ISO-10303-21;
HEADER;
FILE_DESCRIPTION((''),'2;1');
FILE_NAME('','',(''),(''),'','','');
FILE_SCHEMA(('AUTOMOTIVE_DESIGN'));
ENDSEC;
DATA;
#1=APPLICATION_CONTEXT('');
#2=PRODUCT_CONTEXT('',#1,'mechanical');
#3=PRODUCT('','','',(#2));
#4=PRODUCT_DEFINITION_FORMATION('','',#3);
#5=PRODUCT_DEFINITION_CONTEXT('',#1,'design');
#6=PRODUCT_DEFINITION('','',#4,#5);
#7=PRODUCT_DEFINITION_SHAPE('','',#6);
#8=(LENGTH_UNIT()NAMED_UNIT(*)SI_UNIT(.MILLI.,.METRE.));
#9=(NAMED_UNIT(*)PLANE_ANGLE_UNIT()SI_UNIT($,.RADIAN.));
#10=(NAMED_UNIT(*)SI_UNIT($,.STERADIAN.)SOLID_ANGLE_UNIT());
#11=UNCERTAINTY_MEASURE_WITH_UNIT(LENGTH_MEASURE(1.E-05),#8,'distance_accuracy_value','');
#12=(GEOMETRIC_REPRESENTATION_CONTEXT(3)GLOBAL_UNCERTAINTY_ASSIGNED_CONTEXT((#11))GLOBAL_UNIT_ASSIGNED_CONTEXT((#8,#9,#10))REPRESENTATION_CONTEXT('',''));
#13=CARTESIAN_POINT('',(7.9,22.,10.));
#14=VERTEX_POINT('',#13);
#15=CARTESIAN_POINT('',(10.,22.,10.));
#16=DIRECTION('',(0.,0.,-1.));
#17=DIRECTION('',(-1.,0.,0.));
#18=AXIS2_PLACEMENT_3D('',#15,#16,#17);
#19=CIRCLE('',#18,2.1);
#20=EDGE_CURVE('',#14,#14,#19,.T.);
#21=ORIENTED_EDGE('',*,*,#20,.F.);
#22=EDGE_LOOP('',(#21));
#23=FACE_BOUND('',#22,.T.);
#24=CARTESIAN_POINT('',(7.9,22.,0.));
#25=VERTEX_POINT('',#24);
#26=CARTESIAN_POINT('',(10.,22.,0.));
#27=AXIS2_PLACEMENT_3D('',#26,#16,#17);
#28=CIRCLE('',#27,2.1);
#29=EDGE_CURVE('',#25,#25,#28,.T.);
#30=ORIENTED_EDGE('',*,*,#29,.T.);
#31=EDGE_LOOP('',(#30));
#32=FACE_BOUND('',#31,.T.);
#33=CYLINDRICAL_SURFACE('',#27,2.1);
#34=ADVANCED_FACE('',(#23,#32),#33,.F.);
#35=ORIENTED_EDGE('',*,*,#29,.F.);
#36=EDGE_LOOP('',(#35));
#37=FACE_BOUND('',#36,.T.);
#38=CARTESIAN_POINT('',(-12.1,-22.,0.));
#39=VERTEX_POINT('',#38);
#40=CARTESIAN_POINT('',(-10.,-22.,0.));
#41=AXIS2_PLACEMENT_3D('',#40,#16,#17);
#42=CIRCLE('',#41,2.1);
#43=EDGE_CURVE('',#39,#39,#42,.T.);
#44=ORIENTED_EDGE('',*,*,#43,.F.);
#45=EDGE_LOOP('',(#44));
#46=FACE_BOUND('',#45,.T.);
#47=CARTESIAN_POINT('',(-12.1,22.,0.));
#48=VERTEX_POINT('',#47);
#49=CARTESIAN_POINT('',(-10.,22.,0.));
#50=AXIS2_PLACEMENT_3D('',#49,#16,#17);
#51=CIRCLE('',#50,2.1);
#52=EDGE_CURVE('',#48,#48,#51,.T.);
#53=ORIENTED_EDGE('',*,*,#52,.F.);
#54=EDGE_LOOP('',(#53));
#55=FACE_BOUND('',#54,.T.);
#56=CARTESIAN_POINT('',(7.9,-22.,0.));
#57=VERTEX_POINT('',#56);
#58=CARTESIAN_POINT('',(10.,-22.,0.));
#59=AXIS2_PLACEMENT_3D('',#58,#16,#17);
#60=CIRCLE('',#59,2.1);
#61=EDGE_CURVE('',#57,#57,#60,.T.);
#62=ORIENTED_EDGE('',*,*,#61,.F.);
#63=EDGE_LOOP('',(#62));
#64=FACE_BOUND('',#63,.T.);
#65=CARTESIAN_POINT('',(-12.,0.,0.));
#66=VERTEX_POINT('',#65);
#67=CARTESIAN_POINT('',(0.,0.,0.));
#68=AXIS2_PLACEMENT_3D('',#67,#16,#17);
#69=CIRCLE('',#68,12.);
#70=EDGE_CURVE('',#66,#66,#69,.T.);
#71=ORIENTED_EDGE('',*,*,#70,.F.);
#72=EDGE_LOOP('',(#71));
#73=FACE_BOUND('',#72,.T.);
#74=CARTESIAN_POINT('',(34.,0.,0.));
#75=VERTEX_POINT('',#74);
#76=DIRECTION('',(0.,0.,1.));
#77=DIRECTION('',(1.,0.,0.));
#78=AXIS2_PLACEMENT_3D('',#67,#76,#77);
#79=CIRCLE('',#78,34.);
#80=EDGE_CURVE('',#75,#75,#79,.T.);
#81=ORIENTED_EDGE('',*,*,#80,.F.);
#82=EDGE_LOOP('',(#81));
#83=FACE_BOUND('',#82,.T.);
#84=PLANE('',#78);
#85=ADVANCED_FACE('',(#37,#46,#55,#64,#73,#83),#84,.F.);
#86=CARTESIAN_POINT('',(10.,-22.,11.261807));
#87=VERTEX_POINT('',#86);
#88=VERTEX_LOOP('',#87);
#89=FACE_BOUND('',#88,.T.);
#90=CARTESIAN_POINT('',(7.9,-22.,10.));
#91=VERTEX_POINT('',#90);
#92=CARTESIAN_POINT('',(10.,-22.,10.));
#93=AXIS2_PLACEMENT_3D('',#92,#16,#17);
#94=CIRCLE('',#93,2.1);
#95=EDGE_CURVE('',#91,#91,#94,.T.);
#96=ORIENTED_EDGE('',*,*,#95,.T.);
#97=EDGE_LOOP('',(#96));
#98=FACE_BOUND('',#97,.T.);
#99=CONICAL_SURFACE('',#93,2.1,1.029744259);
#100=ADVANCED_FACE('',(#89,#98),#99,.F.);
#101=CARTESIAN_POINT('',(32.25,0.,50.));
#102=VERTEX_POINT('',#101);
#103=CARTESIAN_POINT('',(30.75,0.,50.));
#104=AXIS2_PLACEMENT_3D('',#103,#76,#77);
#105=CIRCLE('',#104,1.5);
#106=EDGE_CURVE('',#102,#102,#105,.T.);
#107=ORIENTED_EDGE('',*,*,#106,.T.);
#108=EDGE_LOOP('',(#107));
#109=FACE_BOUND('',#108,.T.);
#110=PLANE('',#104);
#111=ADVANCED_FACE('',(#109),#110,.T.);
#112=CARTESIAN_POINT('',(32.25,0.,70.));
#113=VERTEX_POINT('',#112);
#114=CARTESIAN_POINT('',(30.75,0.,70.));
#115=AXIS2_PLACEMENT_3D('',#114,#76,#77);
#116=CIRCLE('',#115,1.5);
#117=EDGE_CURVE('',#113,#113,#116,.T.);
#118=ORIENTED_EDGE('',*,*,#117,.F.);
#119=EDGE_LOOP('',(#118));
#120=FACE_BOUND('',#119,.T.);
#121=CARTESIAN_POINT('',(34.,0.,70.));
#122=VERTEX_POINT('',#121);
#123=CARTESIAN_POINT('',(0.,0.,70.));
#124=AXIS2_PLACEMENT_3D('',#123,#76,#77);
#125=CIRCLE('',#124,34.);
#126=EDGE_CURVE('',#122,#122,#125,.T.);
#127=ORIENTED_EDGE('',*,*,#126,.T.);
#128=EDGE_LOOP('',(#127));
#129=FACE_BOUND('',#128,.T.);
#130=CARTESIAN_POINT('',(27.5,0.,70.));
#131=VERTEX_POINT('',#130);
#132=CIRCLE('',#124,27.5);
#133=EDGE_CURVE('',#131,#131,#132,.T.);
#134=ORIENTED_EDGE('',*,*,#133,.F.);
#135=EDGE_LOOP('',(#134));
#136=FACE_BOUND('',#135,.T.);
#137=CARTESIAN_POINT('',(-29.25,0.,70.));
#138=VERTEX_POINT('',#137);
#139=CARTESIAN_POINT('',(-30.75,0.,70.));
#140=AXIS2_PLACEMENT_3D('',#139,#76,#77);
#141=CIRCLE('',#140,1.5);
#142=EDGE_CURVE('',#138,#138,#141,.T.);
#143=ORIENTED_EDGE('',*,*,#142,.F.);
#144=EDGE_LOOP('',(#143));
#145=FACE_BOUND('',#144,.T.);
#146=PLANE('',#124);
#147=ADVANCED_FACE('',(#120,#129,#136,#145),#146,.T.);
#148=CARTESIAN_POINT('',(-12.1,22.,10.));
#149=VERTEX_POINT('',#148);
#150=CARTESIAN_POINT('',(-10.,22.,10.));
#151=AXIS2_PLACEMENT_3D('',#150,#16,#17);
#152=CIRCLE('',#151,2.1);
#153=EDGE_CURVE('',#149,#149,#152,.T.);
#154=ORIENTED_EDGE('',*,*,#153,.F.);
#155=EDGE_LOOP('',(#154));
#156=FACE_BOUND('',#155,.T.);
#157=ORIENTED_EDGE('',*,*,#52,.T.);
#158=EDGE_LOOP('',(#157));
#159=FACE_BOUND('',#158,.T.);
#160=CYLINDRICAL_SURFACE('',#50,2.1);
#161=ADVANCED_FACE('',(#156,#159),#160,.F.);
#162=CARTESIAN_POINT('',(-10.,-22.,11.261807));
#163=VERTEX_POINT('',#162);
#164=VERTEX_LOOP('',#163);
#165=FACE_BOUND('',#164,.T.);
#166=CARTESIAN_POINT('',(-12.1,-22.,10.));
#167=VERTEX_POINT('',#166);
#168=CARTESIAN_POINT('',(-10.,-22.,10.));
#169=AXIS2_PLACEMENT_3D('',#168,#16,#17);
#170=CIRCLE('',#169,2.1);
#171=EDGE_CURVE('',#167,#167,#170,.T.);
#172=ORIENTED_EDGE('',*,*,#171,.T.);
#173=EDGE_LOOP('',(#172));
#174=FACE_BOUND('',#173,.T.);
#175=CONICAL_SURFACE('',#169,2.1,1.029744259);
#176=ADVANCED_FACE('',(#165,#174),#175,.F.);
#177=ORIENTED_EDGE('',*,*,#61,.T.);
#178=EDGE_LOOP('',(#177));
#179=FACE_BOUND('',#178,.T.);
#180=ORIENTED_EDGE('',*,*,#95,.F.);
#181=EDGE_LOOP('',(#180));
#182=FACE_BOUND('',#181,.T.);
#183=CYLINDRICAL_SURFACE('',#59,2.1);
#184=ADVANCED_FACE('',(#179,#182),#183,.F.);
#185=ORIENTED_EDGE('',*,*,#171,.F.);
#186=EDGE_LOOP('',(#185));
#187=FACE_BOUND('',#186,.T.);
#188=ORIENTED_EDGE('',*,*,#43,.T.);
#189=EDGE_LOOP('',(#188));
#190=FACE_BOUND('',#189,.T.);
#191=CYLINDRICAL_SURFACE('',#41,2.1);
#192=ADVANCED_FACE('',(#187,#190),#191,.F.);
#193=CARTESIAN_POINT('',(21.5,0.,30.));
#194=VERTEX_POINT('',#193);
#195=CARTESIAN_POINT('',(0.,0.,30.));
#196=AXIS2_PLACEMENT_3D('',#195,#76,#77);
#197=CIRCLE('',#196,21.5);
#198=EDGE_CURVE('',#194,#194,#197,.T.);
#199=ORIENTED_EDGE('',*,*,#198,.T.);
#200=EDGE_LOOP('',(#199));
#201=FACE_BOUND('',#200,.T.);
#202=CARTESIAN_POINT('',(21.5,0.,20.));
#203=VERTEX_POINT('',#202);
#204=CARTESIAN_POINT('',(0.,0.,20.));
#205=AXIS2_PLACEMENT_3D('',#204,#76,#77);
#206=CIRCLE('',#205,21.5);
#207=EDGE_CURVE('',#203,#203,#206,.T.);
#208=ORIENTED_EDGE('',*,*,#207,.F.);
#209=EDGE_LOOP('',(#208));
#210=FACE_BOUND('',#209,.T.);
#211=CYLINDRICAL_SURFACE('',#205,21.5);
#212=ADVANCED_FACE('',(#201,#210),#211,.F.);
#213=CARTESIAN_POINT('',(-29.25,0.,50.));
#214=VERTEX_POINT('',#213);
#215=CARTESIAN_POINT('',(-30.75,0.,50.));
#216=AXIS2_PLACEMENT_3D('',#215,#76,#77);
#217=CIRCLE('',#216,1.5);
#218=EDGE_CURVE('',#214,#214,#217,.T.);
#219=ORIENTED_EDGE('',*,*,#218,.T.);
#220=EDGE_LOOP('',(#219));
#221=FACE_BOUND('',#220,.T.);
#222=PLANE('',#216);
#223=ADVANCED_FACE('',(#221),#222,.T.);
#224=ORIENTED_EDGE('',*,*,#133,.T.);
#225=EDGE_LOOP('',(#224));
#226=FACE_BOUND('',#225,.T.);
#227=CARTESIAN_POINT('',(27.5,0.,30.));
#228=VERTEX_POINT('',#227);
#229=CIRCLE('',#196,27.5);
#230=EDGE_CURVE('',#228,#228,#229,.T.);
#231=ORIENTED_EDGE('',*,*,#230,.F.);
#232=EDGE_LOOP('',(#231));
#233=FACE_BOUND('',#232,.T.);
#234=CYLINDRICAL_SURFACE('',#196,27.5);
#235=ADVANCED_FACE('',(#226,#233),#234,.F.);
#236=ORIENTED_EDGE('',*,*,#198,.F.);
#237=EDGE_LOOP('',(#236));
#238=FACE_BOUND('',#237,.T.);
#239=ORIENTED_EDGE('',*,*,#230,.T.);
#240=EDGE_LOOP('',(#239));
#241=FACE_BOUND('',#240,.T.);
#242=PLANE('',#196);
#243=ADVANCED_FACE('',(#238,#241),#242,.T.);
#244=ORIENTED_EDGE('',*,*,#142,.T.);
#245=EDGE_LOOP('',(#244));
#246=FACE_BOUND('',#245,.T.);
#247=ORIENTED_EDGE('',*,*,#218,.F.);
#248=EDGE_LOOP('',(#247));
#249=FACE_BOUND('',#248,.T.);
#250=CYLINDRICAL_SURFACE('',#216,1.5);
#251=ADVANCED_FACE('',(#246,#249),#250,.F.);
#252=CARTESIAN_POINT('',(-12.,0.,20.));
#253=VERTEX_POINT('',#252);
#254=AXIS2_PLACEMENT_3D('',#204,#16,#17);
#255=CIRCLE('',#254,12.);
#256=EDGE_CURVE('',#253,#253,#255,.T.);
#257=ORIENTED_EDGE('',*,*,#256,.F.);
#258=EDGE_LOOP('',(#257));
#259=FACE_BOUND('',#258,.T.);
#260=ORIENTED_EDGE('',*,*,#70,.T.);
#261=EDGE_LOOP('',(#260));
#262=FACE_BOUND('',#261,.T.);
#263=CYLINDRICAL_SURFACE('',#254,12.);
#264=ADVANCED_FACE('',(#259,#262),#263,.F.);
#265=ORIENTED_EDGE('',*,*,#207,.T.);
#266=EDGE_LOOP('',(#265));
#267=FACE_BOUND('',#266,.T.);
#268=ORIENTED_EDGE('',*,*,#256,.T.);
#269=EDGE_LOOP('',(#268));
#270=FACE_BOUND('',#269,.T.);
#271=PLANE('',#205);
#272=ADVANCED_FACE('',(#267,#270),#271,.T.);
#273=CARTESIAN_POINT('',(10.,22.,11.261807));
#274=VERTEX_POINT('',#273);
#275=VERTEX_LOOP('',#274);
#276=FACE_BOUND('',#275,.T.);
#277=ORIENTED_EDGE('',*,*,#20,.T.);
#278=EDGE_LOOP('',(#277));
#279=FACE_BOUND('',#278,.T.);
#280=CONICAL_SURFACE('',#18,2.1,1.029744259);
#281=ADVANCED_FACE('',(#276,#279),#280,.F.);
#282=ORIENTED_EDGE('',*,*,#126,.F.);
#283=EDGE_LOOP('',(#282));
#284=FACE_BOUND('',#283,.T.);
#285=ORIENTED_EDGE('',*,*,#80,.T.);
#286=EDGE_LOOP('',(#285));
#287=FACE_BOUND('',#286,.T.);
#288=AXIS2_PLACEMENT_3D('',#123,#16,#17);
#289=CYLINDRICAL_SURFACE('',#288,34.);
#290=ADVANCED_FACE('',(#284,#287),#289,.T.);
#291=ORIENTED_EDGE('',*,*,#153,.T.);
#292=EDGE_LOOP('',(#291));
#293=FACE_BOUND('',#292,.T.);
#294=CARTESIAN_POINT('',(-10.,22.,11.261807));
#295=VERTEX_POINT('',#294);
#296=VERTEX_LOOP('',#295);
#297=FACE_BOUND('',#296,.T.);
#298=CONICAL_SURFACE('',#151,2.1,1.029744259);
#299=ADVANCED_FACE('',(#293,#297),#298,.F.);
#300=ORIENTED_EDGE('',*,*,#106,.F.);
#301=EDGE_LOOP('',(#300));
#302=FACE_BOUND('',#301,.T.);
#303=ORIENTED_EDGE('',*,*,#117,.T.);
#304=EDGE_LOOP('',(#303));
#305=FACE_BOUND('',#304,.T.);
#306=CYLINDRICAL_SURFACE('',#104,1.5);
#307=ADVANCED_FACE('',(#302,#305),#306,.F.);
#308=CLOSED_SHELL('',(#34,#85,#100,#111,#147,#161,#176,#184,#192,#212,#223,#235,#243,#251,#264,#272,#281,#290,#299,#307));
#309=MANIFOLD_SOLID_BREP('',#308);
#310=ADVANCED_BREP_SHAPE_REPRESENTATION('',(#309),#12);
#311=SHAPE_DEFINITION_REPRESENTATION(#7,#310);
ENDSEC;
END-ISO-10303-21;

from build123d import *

# Parameters (mm, degrees)
SKETCH5_R                 = 34
BOSS_EXTRUDE1_DEPTH       = 70
SKETCH6_R                 = 27.5
CUT_EXTRUDE1_DEPTH        = 40
SKETCH7_R                 = 21.5
CUT_EXTRUDE2_DEPTH        = 10
SKETCH8_R                 = 12
CUT_EXTRUDE3_DEPTH        = 20
SKETCH9_R                 = 1.5
CUT_EXTRUDE4_DEPTH        = 20
M5X0_8_TAPPED_HOLE1_D     = 4.2
M5X0_8_TAPPED_HOLE1_DEPTH = 10
M5X0_8_TAPPED_HOLE1_TIP   = 1.2618073


with BuildPart() as part:
    # Sketch5 → Boss-Extrude1 (new body)
    with BuildSketch(Plane.XY):
        Circle(SKETCH5_R)
    extrude(amount=BOSS_EXTRUDE1_DEPTH)

    # Sketch6 → Cut-Extrude1 (cut)
    with BuildSketch(Plane.XY.offset(70)):
        Circle(SKETCH6_R)
    extrude(amount=-CUT_EXTRUDE1_DEPTH, mode=Mode.SUBTRACT)

    # Sketch7 → Cut-Extrude2 (cut)
    with BuildSketch(Plane.XY.offset(30)):
        Circle(SKETCH7_R)
    extrude(amount=-CUT_EXTRUDE2_DEPTH, mode=Mode.SUBTRACT)

    # Sketch8 → Cut-Extrude3 (cut)
    with BuildSketch(Plane(origin=(0, 0, 0), x_dir=(-1, 0, 0), z_dir=(0, 0, -1))):
        Circle(SKETCH8_R)
    extrude(amount=-CUT_EXTRUDE3_DEPTH, mode=Mode.SUBTRACT)

    # Sketch9 → Cut-Extrude4 (cut)
    with BuildSketch(Plane.XY.offset(70)):
        with Locations((-30.75, 0)):
            Circle(SKETCH9_R)
        with Locations((30.75, 0)):
            Circle(SKETCH9_R)
    extrude(amount=-CUT_EXTRUDE4_DEPTH, mode=Mode.SUBTRACT)

    # M5x0.8 Tapped Hole1
    with Locations(Plane(origin=(0, 0, 0), x_dir=(-1, 0, 0), z_dir=(0, 0, -1))):
        with Locations((-10, 22), (10, 22), (10, -22), (-10, -22)):
            Hole(M5X0_8_TAPPED_HOLE1_D / 2, depth=M5X0_8_TAPPED_HOLE1_DEPTH)
            with Locations((0, 0, -(M5X0_8_TAPPED_HOLE1_DEPTH + M5X0_8_TAPPED_HOLE1_TIP / 2))):  # 118° drill point
                Cone(0, M5X0_8_TAPPED_HOLE1_D / 2, M5X0_8_TAPPED_HOLE1_TIP, mode=Mode.SUBTRACT)


solid = part.part
